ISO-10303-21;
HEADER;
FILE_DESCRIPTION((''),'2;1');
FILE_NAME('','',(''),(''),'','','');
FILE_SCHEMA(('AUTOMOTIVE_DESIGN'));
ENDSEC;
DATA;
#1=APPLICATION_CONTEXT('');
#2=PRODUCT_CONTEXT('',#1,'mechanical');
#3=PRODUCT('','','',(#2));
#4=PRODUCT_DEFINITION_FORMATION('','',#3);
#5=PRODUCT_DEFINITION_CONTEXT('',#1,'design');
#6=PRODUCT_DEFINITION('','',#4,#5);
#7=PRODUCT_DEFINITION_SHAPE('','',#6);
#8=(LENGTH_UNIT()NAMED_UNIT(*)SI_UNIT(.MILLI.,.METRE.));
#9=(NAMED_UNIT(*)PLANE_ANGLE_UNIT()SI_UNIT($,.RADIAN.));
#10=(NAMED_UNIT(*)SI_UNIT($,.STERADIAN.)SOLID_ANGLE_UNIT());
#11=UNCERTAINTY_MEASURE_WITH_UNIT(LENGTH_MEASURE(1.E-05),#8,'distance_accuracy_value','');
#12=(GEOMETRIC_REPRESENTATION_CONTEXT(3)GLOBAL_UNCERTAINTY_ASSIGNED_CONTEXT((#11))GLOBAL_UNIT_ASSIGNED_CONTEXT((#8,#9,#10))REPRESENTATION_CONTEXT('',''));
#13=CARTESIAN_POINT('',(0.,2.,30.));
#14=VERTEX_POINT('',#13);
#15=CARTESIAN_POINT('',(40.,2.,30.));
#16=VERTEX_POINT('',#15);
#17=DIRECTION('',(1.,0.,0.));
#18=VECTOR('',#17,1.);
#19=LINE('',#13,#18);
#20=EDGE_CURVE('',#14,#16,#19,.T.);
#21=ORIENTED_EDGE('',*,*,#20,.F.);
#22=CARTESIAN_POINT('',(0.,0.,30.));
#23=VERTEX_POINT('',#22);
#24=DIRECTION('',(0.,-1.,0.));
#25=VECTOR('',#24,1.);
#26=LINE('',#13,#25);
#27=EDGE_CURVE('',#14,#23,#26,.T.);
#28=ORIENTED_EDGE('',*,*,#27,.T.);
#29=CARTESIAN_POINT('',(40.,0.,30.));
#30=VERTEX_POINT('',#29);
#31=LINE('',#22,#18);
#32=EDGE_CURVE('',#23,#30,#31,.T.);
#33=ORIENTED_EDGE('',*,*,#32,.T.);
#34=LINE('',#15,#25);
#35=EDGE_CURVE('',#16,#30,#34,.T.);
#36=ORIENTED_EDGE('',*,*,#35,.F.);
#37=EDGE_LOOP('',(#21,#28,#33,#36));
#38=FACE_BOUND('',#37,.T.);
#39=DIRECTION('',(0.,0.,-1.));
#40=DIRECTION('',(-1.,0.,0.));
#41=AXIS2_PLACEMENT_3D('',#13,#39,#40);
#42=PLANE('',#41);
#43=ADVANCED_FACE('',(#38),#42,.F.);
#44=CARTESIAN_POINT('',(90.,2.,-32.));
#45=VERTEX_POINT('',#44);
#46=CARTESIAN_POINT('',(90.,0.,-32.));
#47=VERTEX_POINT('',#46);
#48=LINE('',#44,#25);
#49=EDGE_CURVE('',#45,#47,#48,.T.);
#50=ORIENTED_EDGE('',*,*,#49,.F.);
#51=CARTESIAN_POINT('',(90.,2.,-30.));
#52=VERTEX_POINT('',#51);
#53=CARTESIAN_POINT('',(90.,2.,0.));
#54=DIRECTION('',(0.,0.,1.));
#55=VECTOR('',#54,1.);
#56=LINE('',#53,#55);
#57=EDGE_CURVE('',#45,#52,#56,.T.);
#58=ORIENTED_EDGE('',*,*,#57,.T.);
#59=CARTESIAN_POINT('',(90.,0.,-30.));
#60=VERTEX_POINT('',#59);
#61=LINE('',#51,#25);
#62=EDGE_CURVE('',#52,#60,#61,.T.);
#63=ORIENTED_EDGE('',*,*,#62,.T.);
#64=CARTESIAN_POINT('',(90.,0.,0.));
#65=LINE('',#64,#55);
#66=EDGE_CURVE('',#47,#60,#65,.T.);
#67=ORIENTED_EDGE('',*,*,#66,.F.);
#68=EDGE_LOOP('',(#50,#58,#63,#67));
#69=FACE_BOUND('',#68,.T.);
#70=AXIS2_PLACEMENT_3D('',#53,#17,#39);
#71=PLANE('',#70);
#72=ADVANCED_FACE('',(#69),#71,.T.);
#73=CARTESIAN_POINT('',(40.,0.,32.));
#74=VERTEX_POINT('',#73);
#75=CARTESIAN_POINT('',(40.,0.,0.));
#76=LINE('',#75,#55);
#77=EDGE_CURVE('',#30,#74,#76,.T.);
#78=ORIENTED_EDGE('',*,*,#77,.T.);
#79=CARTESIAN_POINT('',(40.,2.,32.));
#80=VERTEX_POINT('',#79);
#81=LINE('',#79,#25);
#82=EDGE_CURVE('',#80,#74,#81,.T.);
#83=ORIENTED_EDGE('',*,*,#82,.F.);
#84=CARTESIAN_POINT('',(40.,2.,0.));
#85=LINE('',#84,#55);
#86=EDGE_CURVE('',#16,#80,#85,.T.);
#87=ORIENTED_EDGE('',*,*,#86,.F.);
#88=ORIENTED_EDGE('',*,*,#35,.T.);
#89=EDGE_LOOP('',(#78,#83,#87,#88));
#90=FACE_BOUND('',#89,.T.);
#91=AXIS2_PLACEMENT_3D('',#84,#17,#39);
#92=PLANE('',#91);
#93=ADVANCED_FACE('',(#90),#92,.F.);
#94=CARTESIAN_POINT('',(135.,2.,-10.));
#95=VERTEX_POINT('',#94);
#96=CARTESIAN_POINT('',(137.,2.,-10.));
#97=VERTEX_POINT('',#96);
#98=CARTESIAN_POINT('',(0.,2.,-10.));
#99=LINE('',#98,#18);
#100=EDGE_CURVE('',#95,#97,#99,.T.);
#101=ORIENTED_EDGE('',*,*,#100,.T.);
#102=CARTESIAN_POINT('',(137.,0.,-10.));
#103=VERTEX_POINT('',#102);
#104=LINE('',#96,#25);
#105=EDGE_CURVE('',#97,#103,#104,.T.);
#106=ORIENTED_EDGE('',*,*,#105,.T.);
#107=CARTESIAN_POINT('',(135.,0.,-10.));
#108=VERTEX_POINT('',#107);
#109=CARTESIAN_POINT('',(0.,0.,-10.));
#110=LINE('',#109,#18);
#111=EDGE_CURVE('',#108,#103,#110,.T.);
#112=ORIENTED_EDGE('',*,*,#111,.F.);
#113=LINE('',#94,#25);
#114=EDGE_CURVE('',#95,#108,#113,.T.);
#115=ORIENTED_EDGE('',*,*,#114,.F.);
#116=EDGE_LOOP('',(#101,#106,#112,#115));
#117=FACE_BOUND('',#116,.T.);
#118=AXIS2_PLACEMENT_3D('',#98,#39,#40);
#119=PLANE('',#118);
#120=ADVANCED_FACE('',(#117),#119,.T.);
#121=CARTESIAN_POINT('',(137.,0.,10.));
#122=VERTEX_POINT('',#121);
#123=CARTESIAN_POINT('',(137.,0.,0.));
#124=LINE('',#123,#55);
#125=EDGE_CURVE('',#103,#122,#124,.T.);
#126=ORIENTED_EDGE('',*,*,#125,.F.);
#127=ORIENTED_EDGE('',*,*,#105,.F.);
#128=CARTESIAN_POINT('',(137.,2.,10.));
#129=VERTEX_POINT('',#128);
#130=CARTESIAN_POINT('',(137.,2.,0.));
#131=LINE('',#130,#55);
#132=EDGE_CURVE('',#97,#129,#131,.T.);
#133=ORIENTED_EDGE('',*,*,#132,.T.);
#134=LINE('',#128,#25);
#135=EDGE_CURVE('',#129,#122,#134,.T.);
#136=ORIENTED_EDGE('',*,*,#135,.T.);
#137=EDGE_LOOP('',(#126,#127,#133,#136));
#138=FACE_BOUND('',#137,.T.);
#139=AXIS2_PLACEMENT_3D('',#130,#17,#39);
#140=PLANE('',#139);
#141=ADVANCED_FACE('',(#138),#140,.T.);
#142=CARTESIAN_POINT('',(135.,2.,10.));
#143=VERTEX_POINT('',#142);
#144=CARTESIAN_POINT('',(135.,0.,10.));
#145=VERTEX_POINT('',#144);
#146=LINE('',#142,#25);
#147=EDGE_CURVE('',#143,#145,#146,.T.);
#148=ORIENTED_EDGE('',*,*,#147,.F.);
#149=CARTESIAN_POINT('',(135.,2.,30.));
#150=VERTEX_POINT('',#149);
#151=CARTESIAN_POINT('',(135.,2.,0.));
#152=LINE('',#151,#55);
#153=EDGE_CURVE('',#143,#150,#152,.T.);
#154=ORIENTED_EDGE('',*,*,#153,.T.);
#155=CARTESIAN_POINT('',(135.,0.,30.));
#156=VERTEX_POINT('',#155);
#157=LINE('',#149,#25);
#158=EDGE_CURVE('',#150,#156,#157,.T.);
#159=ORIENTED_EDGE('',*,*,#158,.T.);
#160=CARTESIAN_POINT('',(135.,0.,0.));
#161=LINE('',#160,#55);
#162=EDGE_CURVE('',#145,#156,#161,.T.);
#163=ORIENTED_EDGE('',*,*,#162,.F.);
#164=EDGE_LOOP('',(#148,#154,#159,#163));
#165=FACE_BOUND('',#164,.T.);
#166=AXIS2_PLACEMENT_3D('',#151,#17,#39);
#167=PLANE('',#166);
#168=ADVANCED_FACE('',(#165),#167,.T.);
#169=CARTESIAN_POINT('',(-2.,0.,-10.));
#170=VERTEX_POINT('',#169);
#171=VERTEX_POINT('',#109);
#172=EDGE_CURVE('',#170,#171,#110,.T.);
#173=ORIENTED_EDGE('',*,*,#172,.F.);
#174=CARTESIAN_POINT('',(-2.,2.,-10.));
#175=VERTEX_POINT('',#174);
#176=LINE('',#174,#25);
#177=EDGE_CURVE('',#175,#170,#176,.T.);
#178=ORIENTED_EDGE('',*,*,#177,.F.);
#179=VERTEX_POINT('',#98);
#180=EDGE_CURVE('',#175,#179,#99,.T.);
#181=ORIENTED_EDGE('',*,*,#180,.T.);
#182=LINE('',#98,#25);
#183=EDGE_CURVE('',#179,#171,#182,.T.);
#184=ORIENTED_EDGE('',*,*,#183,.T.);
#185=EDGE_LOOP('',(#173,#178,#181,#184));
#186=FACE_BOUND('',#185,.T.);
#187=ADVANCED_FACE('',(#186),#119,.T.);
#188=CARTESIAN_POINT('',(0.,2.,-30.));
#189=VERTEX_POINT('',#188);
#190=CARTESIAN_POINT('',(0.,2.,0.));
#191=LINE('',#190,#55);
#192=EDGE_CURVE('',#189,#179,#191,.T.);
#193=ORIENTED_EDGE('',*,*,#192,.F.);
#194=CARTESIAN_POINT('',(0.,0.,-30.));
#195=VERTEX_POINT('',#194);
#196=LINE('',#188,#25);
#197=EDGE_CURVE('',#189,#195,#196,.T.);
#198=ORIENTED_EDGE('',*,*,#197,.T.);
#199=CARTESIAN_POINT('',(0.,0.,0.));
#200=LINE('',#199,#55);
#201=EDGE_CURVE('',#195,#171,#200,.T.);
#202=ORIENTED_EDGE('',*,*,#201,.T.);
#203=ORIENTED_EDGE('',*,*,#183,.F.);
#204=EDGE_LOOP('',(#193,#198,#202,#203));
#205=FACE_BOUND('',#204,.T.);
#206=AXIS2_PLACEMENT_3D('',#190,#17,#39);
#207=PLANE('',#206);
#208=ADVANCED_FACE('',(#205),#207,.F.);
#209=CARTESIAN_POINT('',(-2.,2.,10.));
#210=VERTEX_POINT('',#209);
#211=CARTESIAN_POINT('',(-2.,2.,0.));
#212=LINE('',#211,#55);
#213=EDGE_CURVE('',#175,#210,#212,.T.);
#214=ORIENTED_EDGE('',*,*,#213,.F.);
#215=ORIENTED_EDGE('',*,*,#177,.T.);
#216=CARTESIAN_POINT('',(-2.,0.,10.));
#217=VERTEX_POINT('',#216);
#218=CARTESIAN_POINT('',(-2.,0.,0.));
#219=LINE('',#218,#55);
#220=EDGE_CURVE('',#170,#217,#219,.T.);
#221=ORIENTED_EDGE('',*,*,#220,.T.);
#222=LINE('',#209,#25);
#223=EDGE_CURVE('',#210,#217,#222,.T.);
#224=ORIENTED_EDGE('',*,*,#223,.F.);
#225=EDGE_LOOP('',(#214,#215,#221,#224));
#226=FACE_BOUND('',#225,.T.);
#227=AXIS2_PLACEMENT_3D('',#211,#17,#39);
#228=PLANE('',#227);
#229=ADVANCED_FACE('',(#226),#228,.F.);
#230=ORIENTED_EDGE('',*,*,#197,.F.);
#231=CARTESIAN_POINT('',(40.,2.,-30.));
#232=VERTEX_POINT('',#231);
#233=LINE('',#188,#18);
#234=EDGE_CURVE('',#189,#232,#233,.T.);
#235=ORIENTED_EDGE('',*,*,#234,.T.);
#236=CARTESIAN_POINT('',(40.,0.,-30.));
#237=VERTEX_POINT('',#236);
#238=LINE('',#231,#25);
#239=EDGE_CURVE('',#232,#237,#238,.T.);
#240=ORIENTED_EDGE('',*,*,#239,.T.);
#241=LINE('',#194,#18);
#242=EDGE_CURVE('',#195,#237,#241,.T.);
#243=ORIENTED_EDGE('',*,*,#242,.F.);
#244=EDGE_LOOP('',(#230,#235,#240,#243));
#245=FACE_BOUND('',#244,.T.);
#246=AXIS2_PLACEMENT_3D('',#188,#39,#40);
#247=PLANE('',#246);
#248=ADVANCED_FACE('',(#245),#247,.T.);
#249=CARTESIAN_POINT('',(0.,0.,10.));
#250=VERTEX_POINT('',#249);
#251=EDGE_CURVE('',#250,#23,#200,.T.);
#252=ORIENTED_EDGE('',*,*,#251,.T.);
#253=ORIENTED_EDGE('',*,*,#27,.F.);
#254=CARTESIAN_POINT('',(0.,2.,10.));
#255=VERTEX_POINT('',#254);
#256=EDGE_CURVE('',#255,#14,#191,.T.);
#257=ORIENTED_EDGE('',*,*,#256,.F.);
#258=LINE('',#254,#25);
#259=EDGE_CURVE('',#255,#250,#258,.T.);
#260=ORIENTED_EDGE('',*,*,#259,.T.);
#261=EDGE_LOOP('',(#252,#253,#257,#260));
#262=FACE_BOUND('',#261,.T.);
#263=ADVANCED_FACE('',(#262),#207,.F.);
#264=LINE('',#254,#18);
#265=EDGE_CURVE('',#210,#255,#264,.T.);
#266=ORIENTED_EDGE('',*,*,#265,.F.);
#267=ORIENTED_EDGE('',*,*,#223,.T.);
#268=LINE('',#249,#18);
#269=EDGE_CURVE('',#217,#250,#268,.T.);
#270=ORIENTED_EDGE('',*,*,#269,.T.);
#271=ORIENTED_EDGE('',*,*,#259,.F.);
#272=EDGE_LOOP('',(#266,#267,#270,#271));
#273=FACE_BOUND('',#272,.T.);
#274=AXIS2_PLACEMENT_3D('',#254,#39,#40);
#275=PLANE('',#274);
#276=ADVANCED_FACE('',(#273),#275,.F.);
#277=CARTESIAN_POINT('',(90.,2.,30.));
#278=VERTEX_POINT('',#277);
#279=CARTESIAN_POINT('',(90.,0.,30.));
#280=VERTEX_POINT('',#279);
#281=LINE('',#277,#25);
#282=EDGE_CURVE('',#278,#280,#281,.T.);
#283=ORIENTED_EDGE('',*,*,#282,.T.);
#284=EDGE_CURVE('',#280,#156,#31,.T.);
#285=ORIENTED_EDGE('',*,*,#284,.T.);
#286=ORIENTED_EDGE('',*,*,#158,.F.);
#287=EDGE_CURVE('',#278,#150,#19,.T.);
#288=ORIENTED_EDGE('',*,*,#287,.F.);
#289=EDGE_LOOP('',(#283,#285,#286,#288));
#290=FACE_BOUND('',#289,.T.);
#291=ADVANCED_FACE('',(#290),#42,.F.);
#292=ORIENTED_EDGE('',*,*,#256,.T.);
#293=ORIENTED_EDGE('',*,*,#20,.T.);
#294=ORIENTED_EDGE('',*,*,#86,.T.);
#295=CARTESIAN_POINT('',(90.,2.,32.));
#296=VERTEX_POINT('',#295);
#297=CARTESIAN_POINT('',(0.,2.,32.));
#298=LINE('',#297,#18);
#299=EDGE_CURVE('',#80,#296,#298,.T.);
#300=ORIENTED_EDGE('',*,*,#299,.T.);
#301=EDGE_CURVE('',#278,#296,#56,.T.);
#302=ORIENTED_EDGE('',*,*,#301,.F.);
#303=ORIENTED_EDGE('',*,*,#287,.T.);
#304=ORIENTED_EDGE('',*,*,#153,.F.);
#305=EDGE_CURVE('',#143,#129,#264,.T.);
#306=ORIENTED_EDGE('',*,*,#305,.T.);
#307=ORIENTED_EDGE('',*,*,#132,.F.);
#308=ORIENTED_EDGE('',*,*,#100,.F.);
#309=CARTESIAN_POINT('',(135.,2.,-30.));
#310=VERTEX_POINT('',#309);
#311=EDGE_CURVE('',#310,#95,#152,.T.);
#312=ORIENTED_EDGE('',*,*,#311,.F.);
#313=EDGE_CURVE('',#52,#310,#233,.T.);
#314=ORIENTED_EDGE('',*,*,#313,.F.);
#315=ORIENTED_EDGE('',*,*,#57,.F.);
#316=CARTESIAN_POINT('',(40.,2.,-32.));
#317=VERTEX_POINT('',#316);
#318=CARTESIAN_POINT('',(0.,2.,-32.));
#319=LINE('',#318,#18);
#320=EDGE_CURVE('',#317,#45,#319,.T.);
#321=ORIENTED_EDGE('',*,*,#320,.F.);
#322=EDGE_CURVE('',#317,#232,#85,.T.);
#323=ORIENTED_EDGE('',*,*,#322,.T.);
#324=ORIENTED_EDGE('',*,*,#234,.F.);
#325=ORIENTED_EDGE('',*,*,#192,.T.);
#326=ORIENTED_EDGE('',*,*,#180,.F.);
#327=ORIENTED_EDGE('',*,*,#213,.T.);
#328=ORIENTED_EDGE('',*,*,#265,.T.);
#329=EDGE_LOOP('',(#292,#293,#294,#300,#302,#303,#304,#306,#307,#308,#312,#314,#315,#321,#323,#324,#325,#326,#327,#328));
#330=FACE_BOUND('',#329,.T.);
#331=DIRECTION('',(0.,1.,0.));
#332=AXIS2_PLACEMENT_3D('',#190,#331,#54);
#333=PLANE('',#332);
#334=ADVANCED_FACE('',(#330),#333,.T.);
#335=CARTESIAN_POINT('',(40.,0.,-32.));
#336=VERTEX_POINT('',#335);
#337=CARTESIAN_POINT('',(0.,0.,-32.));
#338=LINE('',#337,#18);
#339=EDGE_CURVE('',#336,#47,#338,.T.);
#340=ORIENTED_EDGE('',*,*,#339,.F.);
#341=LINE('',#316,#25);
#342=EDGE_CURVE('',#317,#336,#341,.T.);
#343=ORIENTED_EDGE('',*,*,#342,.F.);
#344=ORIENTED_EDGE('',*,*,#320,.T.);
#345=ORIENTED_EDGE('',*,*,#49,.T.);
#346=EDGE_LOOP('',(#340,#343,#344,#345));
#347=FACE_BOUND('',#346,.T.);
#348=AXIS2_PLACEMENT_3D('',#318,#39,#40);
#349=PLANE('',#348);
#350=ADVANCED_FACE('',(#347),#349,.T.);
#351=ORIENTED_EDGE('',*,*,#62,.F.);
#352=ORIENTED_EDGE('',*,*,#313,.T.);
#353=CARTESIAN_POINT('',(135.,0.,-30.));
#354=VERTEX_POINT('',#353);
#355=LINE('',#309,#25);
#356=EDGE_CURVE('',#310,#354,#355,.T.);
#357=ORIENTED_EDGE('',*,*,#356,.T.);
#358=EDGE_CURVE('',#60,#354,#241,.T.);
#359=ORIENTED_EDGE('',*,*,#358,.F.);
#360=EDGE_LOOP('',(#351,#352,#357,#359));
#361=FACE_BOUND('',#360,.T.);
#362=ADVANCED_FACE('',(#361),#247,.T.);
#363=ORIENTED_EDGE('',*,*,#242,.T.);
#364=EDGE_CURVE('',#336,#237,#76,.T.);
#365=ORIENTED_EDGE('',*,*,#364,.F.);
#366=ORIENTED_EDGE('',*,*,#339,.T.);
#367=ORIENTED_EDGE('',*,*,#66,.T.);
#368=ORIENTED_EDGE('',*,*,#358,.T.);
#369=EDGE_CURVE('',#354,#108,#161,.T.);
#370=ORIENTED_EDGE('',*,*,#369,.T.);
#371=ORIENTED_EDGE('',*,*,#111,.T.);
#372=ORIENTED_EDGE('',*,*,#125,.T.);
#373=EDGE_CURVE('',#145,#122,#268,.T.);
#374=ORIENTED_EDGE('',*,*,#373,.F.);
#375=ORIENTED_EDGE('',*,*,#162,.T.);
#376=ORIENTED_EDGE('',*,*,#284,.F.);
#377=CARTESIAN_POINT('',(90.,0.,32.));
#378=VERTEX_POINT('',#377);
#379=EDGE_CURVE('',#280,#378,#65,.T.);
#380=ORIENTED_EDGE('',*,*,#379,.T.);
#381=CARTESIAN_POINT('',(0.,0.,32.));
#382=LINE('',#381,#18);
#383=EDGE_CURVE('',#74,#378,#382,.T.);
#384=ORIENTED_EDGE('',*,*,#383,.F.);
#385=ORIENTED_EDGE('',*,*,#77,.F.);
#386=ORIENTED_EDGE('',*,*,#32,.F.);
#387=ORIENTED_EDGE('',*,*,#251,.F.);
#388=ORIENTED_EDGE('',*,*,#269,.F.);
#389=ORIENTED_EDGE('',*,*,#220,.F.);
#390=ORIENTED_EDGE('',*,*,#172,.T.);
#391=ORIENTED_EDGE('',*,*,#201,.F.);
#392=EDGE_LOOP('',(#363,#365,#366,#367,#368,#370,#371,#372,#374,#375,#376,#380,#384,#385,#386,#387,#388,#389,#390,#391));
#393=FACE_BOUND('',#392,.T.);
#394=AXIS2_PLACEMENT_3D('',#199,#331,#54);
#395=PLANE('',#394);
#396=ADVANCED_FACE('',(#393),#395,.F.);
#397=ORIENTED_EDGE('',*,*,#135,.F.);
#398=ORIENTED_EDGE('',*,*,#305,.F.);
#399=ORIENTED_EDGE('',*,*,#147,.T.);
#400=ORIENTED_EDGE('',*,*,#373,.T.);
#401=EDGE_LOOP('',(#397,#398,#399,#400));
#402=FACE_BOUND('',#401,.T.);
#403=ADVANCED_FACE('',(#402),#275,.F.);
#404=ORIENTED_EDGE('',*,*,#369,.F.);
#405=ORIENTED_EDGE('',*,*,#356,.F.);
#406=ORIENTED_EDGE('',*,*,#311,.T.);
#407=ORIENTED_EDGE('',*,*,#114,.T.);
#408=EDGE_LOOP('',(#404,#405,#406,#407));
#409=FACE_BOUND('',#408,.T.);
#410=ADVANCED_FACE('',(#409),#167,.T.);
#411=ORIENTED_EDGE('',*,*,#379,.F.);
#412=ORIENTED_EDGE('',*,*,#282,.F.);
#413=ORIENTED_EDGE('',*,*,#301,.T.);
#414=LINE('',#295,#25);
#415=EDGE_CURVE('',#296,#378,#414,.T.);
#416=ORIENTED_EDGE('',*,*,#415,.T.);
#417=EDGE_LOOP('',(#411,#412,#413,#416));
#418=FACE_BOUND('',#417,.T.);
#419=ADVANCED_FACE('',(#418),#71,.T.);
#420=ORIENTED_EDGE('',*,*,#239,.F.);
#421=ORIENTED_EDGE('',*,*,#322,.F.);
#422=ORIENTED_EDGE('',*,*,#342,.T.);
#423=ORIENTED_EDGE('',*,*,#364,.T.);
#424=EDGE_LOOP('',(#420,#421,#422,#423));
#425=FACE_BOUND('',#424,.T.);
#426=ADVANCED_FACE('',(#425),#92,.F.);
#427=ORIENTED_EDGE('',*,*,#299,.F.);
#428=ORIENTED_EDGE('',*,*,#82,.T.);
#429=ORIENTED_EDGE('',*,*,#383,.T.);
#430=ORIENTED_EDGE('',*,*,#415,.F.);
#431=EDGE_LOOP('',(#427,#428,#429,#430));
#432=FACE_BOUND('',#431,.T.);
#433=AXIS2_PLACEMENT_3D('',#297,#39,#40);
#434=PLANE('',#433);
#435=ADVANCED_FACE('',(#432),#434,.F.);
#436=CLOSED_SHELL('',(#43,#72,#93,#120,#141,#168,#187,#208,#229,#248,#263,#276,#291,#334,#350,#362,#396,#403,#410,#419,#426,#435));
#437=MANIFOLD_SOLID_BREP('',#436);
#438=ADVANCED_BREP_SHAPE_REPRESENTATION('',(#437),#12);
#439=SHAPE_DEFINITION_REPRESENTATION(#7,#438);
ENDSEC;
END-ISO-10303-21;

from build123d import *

# Parameters (mm, degrees)
SKETCH_2_W      = 2
SKETCH_2_H      = 20
SKETCH_2_W_2    = 50
SKETCH_2_H_2    = 2
SKETCH_2_W_3    = 135
SKETCH_2_H_3    = 60
EXTRUDE_1_DEPTH = 2


with BuildPart() as part:
    # 草图2 → 凸台-拉伸1 (new body)
    with BuildSketch(Plane(origin=(0, 0, 0), x_dir=(1, 0, 0), z_dir=(0, 1, 0))):
        with Locations((-1, 0)):
            Rectangle(SKETCH_2_W, SKETCH_2_H)
        with Locations((65, 31)):
            Rectangle(SKETCH_2_W_2, SKETCH_2_H_2)
        with Locations((136, 0)):
            Rectangle(SKETCH_2_W, SKETCH_2_H)
        with Locations((65, -31)):
            Rectangle(SKETCH_2_W_2, SKETCH_2_H_2)
        with Locations((67.5, 0)):
            Rectangle(SKETCH_2_W_3, SKETCH_2_H_3)
    extrude(amount=EXTRUDE_1_DEPTH)


solid = part.part
